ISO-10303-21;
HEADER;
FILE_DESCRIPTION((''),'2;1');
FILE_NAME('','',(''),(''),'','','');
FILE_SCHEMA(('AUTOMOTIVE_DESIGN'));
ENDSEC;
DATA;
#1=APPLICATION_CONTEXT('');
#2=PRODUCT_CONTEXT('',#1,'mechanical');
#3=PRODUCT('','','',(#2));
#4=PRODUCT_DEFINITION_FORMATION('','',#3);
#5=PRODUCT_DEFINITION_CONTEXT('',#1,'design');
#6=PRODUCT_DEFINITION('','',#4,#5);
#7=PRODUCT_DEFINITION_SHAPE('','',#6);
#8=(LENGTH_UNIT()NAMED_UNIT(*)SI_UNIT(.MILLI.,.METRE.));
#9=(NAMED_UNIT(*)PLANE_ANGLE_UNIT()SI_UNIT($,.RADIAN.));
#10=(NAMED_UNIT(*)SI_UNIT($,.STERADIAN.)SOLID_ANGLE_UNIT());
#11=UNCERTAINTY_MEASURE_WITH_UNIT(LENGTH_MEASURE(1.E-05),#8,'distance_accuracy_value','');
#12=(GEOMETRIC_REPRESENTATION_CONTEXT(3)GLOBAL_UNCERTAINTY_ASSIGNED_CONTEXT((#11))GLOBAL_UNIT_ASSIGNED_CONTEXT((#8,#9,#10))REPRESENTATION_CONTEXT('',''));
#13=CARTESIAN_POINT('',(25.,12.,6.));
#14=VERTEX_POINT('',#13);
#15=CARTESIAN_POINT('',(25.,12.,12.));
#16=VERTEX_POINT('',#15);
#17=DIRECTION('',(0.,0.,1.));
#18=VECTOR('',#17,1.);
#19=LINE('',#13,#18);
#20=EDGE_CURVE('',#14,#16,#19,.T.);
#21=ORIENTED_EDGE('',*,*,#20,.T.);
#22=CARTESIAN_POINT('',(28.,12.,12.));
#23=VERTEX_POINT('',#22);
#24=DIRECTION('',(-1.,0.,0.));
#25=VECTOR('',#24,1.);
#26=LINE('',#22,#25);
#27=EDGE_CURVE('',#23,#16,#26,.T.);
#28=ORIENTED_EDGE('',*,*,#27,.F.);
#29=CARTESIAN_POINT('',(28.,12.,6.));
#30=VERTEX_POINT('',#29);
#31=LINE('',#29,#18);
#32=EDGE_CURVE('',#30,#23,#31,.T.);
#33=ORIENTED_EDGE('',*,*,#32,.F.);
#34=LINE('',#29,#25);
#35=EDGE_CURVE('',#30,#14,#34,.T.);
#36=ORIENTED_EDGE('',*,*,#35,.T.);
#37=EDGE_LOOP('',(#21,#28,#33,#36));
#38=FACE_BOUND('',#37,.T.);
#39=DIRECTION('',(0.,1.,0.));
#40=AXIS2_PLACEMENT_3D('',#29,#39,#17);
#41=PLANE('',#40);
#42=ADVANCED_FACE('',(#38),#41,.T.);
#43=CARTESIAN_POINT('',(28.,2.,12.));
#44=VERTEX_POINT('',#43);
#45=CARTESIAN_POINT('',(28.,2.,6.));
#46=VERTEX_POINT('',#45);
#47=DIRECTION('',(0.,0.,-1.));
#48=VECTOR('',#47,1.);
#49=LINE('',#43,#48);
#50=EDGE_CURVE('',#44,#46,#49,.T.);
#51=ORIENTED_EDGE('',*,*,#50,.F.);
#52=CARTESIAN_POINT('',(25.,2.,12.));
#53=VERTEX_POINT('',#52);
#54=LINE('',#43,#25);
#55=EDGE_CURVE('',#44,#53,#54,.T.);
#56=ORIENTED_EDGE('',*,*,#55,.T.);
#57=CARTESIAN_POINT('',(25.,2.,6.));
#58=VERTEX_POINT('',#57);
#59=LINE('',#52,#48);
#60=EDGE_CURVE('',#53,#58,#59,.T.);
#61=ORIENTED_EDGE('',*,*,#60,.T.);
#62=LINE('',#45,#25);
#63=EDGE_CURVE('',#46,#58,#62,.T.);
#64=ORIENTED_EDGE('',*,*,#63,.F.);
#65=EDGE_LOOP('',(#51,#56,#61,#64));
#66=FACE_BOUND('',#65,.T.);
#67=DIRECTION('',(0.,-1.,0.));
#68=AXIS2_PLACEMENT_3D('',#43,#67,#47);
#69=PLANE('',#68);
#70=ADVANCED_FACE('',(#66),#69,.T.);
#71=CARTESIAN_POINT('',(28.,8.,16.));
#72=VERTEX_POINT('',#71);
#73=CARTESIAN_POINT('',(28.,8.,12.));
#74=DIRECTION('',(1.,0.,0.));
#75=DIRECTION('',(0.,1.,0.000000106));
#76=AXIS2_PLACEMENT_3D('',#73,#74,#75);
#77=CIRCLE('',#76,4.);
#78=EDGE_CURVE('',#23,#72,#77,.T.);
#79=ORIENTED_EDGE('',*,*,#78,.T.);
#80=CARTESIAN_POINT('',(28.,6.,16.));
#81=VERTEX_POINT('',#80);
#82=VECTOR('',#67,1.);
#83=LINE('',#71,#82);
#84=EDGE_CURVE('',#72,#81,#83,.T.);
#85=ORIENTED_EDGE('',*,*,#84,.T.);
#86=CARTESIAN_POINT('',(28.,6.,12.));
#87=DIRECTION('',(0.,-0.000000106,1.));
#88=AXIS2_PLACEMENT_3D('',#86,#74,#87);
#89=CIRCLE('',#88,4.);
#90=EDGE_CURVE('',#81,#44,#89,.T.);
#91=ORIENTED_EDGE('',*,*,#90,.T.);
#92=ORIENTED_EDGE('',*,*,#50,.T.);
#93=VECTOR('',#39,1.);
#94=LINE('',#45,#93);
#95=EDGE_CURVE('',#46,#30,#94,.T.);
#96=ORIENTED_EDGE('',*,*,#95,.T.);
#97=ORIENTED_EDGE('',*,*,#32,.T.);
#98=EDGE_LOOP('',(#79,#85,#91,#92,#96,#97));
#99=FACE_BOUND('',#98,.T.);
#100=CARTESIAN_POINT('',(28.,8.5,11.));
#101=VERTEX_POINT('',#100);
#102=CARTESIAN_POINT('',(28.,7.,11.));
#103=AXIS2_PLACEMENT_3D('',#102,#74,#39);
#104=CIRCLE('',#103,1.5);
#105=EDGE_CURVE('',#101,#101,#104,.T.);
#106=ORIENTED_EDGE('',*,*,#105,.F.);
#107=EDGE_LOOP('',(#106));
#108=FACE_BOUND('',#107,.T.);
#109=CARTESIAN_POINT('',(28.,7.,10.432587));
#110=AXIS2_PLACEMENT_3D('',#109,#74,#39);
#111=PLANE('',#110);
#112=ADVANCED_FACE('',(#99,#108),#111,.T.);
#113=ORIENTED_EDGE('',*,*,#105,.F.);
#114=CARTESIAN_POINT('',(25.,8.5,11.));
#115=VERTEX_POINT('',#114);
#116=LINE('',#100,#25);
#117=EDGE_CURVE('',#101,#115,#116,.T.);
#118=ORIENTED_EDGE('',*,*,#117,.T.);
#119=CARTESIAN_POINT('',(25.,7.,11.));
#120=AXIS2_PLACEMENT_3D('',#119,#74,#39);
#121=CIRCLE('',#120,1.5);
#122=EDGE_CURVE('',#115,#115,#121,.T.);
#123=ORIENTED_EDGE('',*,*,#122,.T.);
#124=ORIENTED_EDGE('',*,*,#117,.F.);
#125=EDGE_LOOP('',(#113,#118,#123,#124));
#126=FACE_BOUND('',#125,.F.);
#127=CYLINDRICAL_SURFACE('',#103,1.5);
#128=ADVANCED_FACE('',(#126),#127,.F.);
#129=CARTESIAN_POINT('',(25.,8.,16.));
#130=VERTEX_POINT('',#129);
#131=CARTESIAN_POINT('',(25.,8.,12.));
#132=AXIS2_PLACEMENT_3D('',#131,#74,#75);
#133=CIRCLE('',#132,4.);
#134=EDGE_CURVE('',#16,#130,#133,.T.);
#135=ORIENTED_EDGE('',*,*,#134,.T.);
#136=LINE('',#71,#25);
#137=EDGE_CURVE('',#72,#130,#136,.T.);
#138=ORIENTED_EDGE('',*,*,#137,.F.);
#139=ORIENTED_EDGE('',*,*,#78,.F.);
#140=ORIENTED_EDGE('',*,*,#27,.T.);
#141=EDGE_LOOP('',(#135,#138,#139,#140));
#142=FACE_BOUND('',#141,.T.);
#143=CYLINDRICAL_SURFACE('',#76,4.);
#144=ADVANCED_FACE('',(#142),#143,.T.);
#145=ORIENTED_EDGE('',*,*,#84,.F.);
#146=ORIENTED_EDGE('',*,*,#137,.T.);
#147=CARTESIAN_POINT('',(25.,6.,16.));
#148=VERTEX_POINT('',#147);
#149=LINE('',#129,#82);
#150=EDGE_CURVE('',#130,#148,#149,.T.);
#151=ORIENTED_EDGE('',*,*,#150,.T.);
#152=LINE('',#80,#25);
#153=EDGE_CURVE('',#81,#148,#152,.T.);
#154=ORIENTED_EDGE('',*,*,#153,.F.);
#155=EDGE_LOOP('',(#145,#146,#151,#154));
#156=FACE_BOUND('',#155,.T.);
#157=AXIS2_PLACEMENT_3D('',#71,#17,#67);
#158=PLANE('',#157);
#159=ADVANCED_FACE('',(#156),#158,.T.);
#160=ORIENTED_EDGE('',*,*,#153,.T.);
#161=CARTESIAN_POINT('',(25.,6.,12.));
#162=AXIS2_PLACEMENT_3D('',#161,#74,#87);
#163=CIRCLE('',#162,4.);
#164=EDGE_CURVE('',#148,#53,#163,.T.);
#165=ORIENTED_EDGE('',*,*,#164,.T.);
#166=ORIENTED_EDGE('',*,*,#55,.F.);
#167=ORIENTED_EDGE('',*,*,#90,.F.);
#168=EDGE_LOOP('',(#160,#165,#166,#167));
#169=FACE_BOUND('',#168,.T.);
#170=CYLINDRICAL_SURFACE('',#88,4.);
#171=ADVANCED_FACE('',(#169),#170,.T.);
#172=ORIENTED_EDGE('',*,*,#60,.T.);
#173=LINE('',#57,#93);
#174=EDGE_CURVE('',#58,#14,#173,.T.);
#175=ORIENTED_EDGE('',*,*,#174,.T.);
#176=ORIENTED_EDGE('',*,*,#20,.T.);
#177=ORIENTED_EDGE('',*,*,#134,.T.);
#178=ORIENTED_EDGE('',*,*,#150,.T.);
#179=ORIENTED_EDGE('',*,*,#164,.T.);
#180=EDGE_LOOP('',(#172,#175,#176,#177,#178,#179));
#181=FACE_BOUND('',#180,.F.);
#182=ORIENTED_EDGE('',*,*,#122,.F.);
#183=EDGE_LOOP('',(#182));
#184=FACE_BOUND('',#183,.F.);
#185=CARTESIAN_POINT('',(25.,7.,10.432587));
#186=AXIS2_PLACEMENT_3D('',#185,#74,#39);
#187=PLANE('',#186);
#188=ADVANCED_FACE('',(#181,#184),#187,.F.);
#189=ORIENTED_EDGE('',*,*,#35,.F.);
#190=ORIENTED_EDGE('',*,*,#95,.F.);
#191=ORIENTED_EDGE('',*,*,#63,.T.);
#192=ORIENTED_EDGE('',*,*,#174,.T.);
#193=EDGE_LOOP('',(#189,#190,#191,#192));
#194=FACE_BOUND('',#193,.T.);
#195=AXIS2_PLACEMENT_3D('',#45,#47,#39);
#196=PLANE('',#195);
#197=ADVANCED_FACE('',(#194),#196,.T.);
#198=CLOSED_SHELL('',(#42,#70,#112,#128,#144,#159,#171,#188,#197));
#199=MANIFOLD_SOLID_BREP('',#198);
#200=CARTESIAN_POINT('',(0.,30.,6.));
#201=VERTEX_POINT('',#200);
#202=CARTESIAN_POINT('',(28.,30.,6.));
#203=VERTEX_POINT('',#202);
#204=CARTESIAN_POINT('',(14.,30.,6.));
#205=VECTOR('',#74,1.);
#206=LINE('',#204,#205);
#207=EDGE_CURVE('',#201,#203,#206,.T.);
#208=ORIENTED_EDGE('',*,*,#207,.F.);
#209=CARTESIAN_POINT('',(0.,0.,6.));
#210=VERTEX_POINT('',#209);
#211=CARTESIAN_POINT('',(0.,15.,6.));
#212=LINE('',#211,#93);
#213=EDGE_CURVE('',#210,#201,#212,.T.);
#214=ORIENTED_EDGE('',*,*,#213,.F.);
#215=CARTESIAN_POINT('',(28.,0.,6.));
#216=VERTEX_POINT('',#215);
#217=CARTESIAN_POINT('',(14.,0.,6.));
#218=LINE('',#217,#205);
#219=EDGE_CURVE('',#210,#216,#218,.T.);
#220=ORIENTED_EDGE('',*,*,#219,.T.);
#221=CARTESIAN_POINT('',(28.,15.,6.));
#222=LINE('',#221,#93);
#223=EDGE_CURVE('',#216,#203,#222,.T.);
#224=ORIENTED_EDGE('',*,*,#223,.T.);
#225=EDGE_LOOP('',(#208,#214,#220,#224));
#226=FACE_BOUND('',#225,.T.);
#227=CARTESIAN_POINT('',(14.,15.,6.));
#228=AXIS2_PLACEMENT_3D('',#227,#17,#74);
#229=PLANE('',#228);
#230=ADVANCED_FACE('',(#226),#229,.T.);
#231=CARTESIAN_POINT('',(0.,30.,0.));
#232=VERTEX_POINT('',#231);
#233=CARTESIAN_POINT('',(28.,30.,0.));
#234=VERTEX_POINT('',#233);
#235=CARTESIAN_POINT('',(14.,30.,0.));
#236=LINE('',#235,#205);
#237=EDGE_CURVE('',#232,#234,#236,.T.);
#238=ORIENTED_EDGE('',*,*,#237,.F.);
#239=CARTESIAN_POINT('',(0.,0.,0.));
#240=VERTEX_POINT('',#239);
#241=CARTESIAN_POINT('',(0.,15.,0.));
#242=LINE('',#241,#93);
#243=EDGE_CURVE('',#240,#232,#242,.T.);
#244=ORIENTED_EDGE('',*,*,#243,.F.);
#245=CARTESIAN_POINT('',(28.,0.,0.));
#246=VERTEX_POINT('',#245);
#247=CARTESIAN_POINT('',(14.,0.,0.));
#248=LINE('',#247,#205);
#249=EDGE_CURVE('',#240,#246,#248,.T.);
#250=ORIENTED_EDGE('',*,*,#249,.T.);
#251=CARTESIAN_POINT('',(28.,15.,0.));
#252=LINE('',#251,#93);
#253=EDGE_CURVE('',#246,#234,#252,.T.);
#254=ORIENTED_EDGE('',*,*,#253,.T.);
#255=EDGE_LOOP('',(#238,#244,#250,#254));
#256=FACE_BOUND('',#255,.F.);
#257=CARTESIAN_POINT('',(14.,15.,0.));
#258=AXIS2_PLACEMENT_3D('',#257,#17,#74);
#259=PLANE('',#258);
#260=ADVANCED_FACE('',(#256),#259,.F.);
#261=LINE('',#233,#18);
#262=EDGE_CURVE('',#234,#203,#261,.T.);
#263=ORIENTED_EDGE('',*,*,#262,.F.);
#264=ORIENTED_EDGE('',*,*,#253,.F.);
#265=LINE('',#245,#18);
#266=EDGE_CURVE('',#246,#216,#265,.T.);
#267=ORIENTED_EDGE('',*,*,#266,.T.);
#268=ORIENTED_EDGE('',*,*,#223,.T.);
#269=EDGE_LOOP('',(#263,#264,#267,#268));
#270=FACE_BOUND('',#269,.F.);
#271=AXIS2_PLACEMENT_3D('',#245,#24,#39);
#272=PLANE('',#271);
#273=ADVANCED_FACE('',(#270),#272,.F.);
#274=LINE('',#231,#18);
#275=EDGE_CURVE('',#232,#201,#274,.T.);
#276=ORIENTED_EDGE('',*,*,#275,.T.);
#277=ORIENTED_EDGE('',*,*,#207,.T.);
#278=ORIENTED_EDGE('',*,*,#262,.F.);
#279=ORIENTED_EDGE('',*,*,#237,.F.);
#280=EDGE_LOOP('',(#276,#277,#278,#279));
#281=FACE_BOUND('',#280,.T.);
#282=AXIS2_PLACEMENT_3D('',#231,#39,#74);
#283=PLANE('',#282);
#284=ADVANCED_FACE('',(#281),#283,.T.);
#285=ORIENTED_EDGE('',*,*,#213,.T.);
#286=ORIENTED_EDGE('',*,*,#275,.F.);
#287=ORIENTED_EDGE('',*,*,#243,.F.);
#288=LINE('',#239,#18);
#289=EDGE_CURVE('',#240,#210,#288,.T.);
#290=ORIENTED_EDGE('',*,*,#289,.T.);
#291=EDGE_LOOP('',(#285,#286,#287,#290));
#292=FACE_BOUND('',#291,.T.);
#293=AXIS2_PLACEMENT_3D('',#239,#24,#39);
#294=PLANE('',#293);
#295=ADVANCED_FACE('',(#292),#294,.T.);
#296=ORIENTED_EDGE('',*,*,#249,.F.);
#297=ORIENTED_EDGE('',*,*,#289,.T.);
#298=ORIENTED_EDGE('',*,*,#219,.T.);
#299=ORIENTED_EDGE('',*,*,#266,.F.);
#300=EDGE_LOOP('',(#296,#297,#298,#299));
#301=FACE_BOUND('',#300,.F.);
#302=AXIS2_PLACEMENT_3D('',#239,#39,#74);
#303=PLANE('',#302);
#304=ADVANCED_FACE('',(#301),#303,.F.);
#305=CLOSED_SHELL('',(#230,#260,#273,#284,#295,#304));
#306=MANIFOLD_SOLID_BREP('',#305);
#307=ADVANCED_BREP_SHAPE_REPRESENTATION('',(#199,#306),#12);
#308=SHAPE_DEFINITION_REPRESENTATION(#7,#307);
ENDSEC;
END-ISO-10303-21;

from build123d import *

# Parameters (mm, degrees)
F0_W     = 28
F0_H     = 30
F1_DEPTH = 6
F2_R     = 1.5
F3_DEPTH = 3


with BuildPart() as f1:
    # F0 (on Top) → F1 (new body)
    with BuildSketch(Plane.XY):
        with Locations((14, 15)):
            Rectangle(F0_W, F0_H)
    extrude(amount=F1_DEPTH)


with BuildPart() as f3:
    # F2 (on face) → F3 (new body)
    with BuildSketch(Plane.YZ.offset(28)):
        with BuildLine():
            Line((2, 12), (2, 6))
            Line((2, 6), (12, 6))
            Line((12, 6), (12, 12))
            ThreePointArc((12, 12), (10.828427, 14.828427), (8, 16))
            Line((8, 16), (6, 16))
            ThreePointArc((6, 16), (3.171573, 14.828427), (2, 12))
        make_face()
        with Locations((7, 11)):
            Circle(F2_R, mode=Mode.SUBTRACT)
    extrude(amount=-F3_DEPTH)


solid = Compound([f1.part, f3.part])
